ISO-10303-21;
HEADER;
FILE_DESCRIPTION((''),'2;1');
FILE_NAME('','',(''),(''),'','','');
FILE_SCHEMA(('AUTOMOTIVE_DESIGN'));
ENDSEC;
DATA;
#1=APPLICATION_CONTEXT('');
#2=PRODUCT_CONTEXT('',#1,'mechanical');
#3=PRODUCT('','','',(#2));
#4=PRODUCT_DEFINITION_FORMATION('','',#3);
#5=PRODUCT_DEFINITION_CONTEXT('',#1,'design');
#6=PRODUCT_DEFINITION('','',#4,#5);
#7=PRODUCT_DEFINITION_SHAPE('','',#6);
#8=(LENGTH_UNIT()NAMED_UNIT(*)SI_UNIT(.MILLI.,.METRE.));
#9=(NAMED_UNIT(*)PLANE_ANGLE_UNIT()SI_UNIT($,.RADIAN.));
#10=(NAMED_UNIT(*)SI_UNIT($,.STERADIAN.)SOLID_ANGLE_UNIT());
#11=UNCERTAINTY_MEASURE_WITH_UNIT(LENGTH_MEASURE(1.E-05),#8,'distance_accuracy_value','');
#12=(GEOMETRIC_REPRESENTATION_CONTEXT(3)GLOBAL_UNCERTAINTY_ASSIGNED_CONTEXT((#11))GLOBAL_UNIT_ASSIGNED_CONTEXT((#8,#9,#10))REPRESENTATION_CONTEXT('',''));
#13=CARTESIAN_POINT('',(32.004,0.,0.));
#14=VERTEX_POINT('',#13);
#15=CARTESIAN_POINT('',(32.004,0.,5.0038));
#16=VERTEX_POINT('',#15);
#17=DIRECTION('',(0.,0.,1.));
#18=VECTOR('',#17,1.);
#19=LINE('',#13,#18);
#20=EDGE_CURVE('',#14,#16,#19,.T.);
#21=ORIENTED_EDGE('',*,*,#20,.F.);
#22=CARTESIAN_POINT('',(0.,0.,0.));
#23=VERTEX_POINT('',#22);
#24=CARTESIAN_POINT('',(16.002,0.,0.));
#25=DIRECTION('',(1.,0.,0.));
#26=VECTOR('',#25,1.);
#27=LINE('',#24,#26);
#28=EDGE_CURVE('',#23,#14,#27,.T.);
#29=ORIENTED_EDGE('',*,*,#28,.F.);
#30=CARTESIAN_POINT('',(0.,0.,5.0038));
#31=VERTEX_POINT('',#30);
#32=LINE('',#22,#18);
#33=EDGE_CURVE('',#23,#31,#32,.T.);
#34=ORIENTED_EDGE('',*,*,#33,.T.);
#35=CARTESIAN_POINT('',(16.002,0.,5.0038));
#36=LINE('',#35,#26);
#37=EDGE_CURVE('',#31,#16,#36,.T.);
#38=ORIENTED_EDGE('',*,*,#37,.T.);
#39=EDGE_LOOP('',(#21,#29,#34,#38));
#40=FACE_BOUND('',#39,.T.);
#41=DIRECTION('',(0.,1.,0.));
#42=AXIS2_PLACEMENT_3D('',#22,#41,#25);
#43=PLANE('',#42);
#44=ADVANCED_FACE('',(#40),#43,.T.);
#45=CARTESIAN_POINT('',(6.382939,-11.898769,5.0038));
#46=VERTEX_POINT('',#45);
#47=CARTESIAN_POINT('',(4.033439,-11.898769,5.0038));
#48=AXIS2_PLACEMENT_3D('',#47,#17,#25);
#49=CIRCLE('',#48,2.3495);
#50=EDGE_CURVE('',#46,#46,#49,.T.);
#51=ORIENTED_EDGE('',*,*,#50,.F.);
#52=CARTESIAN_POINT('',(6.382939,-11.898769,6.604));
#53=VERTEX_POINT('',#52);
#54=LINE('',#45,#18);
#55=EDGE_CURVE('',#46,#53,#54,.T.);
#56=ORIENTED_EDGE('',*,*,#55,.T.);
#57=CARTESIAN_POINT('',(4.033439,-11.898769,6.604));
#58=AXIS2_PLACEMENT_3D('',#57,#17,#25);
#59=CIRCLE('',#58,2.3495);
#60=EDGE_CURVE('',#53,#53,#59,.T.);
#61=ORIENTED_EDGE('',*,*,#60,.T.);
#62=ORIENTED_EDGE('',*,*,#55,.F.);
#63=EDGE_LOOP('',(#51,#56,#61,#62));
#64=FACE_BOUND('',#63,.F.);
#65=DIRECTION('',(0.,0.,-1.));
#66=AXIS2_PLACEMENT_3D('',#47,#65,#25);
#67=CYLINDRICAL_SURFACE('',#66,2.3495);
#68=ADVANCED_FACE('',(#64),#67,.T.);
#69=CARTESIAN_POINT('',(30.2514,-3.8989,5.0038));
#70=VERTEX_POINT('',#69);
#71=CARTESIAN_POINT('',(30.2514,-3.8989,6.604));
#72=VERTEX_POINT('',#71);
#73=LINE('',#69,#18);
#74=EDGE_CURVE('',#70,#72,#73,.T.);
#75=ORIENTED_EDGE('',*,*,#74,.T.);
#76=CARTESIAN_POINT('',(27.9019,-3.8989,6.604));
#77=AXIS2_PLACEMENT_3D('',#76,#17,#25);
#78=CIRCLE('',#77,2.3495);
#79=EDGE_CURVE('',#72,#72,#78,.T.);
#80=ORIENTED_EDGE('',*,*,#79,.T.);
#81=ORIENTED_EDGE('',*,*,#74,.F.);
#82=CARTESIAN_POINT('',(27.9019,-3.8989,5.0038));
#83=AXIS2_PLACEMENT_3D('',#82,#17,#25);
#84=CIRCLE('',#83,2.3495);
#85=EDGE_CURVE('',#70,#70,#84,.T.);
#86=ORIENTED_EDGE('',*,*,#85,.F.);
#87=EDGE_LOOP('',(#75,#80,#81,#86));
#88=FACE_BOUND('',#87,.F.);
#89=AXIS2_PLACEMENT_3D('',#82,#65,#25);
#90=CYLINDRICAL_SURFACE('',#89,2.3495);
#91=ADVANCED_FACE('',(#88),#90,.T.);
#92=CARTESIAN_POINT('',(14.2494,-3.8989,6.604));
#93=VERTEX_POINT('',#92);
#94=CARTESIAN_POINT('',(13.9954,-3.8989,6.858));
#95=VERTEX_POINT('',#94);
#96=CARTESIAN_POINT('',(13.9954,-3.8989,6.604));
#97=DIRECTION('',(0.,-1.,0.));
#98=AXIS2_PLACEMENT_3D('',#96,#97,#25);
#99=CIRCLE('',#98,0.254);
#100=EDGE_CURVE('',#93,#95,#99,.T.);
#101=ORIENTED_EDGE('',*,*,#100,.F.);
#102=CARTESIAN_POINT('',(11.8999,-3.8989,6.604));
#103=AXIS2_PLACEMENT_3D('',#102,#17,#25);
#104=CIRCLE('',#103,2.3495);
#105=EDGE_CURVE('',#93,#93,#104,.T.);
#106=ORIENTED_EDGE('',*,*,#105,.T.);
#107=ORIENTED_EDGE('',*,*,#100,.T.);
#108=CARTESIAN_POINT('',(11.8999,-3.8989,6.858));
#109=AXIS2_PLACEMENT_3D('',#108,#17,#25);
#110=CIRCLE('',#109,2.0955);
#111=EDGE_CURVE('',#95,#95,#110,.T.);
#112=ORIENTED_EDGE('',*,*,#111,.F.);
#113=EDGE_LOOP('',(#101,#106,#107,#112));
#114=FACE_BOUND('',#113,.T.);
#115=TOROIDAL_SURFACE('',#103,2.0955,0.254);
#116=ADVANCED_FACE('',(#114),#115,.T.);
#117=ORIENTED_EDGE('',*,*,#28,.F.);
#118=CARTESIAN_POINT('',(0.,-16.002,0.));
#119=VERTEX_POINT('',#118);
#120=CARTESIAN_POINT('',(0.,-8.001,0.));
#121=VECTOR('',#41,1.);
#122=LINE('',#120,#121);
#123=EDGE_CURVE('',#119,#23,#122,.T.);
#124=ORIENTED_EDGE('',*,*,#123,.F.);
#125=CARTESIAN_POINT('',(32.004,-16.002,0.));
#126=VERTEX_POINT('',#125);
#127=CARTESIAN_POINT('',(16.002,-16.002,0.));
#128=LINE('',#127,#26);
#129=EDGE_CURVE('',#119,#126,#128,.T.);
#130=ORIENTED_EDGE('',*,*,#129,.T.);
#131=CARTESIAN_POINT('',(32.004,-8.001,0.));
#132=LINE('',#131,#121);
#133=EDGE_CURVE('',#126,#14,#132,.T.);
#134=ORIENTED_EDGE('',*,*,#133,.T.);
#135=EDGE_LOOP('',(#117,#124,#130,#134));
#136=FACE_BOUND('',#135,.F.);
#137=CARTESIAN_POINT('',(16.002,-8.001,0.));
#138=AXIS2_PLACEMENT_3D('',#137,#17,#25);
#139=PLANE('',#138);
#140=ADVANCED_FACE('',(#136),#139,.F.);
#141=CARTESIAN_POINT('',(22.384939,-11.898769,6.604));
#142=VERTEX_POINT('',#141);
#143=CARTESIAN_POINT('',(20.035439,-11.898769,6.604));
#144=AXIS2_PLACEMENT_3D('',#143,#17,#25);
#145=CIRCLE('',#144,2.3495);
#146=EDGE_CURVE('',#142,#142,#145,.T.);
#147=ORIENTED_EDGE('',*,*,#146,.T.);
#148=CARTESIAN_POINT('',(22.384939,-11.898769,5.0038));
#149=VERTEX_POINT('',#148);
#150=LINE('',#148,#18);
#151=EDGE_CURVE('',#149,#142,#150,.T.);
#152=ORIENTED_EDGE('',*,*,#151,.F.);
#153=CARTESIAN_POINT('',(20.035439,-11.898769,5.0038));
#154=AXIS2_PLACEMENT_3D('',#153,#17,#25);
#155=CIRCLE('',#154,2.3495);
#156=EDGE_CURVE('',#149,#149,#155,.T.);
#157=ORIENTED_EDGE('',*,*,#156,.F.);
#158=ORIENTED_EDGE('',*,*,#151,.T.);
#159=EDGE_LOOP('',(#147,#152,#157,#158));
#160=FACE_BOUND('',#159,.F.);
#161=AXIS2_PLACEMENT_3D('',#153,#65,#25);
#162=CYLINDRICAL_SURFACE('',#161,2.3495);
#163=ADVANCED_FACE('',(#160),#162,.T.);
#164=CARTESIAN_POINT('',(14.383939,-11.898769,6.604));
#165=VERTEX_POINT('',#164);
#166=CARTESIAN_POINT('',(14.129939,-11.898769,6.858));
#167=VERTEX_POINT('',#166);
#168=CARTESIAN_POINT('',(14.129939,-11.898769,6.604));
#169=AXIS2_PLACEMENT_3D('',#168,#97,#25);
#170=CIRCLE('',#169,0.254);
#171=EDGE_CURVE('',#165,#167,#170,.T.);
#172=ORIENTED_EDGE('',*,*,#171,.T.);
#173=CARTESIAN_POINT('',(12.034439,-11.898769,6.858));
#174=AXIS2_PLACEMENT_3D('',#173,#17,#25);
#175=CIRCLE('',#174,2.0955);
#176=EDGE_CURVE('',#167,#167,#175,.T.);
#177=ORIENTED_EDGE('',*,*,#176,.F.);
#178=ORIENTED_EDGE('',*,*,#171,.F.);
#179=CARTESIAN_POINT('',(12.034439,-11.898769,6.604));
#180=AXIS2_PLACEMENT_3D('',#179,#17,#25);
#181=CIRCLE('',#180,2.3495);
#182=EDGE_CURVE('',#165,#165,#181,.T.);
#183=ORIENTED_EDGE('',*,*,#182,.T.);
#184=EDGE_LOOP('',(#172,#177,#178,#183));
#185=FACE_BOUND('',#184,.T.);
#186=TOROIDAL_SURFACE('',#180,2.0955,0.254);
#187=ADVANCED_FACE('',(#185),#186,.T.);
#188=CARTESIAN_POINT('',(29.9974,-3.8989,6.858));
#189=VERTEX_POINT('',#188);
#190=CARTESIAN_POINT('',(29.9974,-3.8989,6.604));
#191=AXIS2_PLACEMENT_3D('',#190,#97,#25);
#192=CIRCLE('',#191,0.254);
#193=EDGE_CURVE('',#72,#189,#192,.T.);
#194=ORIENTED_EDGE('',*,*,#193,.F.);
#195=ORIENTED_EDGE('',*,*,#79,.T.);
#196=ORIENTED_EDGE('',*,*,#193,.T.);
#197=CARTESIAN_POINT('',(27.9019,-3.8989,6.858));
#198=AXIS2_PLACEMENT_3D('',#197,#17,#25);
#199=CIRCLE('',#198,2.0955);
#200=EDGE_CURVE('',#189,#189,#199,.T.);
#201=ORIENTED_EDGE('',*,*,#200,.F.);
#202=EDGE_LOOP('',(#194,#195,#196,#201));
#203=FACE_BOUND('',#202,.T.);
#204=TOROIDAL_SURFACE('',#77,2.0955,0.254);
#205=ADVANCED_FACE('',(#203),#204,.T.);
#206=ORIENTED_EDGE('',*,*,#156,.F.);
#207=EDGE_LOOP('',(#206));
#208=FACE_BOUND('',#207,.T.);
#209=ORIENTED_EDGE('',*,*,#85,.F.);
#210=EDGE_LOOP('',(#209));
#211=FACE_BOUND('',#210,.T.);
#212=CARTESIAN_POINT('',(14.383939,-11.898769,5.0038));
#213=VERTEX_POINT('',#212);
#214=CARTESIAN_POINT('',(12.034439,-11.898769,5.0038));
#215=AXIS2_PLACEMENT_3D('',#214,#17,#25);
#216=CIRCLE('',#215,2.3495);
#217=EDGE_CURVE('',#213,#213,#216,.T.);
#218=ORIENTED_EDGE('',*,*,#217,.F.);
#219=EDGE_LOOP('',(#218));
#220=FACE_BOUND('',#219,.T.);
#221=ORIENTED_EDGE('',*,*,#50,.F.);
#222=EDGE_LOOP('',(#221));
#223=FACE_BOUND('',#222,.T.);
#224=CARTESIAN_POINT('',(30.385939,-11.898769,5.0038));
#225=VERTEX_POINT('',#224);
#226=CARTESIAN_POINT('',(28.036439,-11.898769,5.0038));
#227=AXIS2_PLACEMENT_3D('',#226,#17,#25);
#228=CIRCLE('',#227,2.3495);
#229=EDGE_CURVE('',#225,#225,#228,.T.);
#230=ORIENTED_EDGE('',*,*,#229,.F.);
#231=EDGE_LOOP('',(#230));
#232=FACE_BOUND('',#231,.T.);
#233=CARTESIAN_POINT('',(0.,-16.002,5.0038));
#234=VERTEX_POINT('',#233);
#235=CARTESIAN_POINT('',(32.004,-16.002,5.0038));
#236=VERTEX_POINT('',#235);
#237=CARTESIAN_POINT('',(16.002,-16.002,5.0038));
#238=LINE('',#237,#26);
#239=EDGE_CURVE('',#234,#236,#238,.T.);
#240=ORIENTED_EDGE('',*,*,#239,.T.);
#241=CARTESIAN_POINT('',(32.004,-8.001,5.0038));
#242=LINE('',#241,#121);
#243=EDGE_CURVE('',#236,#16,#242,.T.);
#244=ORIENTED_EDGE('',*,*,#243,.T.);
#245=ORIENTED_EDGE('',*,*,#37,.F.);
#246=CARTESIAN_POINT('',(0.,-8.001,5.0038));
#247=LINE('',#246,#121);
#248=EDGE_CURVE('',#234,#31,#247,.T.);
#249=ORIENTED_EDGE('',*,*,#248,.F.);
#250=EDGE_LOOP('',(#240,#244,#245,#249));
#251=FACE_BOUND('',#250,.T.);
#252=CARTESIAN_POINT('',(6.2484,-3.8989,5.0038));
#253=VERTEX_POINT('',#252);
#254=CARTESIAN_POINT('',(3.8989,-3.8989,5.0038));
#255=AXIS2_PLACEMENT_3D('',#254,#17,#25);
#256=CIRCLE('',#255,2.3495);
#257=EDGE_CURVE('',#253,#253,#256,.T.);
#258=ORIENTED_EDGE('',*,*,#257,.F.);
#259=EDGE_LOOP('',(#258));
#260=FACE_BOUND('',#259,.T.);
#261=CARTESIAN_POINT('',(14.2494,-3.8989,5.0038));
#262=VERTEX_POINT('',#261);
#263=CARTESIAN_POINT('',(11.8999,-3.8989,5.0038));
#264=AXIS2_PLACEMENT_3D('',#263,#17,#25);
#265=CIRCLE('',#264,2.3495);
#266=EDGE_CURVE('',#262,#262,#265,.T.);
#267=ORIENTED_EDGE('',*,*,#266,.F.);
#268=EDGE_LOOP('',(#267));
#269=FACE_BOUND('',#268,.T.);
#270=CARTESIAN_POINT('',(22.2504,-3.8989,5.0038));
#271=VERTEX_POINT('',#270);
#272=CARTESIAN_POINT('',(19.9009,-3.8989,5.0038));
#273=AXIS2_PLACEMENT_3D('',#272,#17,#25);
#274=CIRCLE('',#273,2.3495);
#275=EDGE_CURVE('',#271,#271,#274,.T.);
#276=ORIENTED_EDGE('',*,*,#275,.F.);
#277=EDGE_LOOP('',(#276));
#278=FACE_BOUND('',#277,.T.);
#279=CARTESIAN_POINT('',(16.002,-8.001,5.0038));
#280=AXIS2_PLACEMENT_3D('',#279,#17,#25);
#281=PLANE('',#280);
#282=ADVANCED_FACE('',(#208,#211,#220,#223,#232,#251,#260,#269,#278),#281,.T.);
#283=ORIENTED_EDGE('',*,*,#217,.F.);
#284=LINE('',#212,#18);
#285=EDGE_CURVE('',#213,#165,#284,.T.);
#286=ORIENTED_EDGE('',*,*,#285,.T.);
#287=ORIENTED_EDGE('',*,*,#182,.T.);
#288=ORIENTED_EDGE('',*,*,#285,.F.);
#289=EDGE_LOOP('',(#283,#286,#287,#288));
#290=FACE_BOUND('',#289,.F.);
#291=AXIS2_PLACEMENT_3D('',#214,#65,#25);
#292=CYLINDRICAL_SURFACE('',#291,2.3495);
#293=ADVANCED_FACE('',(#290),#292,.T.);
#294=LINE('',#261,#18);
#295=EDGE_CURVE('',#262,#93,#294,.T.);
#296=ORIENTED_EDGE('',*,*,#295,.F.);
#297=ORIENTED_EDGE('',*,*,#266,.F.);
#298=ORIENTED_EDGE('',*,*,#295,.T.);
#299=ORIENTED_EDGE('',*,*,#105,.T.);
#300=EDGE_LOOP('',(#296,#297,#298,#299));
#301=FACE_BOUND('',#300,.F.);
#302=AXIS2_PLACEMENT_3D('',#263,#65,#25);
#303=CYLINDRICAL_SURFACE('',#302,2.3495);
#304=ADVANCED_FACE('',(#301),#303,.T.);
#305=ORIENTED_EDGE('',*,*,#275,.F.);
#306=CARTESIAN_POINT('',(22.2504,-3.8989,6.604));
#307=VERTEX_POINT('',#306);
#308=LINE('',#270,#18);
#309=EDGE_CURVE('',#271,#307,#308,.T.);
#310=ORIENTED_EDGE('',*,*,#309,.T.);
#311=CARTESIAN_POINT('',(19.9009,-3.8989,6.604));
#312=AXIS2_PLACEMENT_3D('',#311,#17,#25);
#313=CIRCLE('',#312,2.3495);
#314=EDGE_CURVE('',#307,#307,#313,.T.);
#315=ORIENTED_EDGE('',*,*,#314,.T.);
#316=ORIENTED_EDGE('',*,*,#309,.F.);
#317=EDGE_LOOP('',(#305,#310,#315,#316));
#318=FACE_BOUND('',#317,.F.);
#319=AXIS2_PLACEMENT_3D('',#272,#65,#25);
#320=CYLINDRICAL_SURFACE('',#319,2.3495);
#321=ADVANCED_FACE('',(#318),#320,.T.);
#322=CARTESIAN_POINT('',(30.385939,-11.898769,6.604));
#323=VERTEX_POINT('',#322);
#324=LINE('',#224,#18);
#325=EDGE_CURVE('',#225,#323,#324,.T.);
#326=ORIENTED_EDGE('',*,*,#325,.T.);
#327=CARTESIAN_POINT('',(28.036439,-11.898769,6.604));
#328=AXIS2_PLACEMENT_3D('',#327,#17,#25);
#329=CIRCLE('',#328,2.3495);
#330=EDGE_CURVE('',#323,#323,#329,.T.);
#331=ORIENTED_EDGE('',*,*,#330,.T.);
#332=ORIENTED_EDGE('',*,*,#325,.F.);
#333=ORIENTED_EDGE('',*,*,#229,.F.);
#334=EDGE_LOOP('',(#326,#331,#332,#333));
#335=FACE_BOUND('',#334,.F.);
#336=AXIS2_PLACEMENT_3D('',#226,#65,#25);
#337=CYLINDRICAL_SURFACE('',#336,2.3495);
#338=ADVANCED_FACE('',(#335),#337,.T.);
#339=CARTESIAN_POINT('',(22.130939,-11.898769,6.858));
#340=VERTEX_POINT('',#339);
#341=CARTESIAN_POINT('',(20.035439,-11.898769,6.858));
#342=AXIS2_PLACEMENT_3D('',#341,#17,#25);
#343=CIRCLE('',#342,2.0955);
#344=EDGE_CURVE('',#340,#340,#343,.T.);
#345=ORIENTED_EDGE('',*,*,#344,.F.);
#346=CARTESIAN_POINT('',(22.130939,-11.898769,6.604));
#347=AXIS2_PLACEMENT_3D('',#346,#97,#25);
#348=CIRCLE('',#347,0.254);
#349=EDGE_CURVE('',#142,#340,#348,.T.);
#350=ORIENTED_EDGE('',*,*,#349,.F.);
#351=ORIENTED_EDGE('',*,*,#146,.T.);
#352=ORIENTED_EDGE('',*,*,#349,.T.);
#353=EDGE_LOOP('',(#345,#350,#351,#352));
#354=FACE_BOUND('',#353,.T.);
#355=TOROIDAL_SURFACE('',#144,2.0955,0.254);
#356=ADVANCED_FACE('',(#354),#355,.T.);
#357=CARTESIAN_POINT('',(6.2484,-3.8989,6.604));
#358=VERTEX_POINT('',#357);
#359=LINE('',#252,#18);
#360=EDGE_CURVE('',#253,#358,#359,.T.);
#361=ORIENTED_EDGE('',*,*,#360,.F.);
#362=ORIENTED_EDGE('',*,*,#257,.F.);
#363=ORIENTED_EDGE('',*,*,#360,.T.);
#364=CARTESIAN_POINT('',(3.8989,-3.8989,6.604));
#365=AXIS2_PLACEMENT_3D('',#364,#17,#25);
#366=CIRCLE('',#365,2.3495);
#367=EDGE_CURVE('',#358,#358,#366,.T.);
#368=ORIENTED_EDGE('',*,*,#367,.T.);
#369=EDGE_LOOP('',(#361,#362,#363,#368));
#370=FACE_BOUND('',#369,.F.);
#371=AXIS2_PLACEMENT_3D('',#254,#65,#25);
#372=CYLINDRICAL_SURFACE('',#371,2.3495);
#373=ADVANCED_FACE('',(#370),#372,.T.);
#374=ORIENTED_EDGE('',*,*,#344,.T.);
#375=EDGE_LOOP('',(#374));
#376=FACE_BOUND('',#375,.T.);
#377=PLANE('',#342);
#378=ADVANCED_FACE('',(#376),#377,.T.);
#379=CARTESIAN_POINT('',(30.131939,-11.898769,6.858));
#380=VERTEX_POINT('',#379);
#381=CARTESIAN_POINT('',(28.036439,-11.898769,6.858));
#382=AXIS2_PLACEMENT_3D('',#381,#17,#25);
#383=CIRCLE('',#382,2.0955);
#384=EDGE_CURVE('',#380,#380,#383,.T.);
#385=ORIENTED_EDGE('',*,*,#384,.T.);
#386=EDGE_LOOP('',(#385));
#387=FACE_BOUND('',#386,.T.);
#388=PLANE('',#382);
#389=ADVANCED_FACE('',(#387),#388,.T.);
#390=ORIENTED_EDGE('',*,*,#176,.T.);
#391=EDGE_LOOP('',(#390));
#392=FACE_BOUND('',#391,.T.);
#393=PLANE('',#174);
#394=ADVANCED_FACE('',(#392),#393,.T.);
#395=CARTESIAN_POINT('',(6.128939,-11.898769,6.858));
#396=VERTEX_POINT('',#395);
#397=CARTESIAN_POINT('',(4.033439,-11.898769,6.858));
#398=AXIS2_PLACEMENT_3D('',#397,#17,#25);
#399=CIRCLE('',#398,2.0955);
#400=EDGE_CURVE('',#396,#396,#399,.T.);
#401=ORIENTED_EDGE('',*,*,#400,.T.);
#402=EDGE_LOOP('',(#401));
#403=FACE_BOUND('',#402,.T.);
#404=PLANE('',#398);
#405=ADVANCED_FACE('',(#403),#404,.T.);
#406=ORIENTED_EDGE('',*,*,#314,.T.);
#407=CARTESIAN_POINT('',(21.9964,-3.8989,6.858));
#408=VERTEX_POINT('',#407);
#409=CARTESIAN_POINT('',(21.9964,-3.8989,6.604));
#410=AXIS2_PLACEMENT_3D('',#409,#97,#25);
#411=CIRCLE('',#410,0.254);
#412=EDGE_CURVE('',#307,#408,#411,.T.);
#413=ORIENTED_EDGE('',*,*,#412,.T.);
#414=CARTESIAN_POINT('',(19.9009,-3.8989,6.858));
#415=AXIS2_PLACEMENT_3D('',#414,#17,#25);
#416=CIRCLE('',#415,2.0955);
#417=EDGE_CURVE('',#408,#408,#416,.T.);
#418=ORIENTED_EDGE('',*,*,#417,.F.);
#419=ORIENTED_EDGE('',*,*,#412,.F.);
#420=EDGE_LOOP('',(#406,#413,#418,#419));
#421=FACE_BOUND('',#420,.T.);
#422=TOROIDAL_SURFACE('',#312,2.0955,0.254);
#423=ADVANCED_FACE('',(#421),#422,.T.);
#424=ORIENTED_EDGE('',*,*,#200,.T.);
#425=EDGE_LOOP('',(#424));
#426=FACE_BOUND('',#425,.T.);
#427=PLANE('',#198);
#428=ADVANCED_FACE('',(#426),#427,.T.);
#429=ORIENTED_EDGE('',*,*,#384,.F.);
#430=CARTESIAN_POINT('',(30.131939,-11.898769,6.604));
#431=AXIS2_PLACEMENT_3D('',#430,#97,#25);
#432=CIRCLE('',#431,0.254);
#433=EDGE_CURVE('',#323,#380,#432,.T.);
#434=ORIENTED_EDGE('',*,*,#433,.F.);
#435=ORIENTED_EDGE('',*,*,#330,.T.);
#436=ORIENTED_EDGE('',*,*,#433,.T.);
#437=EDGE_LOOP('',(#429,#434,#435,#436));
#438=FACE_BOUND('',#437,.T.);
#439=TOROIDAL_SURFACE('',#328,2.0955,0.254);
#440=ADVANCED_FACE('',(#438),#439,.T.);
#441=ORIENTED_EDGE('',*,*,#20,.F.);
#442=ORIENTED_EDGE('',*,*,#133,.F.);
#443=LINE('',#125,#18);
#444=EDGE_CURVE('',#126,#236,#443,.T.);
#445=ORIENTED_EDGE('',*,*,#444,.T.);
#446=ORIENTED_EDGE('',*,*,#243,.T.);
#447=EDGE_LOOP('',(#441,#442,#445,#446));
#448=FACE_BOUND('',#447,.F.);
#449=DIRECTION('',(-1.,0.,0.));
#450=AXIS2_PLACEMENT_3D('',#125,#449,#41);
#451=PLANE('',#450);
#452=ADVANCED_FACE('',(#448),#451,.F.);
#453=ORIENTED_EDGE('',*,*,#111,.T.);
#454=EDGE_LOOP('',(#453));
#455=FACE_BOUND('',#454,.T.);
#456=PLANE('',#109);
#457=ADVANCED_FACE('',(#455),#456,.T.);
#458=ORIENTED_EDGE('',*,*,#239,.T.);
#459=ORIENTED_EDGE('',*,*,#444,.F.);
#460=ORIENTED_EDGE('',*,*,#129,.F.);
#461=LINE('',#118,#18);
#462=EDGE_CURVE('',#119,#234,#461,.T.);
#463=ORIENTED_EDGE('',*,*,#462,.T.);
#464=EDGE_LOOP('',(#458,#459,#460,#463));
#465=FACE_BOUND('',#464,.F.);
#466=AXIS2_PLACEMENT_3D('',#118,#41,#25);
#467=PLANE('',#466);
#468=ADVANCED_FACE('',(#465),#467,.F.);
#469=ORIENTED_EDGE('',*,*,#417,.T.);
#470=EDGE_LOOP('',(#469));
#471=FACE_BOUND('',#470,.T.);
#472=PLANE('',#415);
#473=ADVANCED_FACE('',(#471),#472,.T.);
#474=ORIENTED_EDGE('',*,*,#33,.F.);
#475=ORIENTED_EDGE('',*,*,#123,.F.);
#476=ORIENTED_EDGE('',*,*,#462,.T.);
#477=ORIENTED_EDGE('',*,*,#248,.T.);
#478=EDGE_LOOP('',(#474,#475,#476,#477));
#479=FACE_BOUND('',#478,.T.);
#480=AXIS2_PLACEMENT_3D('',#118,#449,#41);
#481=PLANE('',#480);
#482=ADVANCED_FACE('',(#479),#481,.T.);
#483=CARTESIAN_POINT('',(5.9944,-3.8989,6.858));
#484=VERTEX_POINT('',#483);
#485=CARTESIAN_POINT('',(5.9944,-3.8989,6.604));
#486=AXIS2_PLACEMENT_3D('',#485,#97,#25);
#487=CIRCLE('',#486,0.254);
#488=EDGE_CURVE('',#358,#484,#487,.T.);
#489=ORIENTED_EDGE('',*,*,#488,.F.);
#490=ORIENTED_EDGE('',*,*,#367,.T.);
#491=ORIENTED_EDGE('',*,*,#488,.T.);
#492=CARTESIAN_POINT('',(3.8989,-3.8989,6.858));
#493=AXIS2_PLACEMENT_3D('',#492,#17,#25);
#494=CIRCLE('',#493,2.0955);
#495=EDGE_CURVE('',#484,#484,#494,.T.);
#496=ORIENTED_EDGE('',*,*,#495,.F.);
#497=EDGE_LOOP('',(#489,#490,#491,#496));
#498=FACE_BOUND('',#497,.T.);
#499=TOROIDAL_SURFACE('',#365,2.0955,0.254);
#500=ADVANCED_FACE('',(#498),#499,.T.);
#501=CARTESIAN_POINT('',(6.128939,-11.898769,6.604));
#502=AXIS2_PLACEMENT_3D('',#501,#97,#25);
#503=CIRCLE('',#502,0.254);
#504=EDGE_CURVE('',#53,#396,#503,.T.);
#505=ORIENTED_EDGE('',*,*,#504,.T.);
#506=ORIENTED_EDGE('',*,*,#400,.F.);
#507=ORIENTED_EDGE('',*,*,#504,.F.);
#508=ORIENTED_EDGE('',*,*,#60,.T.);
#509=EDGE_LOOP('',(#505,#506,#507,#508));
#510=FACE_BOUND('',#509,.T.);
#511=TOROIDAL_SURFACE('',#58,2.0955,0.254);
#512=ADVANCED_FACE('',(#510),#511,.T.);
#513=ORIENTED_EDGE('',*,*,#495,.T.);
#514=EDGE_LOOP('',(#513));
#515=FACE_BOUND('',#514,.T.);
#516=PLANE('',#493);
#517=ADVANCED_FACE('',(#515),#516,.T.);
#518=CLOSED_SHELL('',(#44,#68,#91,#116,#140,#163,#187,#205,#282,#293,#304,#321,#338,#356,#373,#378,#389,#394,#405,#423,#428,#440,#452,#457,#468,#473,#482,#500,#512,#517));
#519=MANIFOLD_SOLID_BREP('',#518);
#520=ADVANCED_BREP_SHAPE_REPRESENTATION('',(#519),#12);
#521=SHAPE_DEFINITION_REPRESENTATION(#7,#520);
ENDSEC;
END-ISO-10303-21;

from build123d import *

# Parameters (mm, degrees)
F0_W     = 32.004
F0_H     = 16.002
F1_DEPTH = 5.0038
F2_R     = 2.3495
F3_DEPTH = 1.8542
F4_R     = 0.254


with BuildPart() as f1:
    # F0 (on Top) → F1 (new body)
    with BuildSketch(Plane.XY):
        with Locations((16.002, -8.001)):
            Rectangle(F0_W, F0_H)
    extrude(amount=F1_DEPTH)

    # F2 (on face) → F3 (join)
    with BuildSketch(Plane.XY.offset(5.0038)):
        with Locations((3.8989, -3.8989)):
            Circle(F2_R)
        with Locations((11.8999, -3.8989)):
            Circle(F2_R)
        with Locations((19.9009, -3.8989)):
            Circle(F2_R)
        with Locations((27.9019, -3.8989)):
            Circle(F2_R)
        with Locations((4.033439, -11.898769)):
            Circle(F2_R)
        with Locations((12.034439, -11.898769)):
            Circle(F2_R)
        with Locations((20.035439, -11.898769)):
            Circle(F2_R)
        with Locations((28.036439, -11.898769)):
            Circle(F2_R)
    extrude(amount=F3_DEPTH)

    # F4
    f4_edges = [f1.edges().sort_by_distance(p)[0] for p in [
        (1.5494, -3.8989, 6.858),
        (9.5504, -3.8989, 6.858),
        (17.5514, -3.8989, 6.858),
        (25.5524, -3.8989, 6.858),
        (25.686939, -11.898769, 6.858),
        (17.685939, -11.898769, 6.858),
        (9.684939, -11.898769, 6.858),
        (1.683939, -11.898769, 6.858),
    ]]
    fillet(f4_edges, radius=F4_R)


solid = f1.part
